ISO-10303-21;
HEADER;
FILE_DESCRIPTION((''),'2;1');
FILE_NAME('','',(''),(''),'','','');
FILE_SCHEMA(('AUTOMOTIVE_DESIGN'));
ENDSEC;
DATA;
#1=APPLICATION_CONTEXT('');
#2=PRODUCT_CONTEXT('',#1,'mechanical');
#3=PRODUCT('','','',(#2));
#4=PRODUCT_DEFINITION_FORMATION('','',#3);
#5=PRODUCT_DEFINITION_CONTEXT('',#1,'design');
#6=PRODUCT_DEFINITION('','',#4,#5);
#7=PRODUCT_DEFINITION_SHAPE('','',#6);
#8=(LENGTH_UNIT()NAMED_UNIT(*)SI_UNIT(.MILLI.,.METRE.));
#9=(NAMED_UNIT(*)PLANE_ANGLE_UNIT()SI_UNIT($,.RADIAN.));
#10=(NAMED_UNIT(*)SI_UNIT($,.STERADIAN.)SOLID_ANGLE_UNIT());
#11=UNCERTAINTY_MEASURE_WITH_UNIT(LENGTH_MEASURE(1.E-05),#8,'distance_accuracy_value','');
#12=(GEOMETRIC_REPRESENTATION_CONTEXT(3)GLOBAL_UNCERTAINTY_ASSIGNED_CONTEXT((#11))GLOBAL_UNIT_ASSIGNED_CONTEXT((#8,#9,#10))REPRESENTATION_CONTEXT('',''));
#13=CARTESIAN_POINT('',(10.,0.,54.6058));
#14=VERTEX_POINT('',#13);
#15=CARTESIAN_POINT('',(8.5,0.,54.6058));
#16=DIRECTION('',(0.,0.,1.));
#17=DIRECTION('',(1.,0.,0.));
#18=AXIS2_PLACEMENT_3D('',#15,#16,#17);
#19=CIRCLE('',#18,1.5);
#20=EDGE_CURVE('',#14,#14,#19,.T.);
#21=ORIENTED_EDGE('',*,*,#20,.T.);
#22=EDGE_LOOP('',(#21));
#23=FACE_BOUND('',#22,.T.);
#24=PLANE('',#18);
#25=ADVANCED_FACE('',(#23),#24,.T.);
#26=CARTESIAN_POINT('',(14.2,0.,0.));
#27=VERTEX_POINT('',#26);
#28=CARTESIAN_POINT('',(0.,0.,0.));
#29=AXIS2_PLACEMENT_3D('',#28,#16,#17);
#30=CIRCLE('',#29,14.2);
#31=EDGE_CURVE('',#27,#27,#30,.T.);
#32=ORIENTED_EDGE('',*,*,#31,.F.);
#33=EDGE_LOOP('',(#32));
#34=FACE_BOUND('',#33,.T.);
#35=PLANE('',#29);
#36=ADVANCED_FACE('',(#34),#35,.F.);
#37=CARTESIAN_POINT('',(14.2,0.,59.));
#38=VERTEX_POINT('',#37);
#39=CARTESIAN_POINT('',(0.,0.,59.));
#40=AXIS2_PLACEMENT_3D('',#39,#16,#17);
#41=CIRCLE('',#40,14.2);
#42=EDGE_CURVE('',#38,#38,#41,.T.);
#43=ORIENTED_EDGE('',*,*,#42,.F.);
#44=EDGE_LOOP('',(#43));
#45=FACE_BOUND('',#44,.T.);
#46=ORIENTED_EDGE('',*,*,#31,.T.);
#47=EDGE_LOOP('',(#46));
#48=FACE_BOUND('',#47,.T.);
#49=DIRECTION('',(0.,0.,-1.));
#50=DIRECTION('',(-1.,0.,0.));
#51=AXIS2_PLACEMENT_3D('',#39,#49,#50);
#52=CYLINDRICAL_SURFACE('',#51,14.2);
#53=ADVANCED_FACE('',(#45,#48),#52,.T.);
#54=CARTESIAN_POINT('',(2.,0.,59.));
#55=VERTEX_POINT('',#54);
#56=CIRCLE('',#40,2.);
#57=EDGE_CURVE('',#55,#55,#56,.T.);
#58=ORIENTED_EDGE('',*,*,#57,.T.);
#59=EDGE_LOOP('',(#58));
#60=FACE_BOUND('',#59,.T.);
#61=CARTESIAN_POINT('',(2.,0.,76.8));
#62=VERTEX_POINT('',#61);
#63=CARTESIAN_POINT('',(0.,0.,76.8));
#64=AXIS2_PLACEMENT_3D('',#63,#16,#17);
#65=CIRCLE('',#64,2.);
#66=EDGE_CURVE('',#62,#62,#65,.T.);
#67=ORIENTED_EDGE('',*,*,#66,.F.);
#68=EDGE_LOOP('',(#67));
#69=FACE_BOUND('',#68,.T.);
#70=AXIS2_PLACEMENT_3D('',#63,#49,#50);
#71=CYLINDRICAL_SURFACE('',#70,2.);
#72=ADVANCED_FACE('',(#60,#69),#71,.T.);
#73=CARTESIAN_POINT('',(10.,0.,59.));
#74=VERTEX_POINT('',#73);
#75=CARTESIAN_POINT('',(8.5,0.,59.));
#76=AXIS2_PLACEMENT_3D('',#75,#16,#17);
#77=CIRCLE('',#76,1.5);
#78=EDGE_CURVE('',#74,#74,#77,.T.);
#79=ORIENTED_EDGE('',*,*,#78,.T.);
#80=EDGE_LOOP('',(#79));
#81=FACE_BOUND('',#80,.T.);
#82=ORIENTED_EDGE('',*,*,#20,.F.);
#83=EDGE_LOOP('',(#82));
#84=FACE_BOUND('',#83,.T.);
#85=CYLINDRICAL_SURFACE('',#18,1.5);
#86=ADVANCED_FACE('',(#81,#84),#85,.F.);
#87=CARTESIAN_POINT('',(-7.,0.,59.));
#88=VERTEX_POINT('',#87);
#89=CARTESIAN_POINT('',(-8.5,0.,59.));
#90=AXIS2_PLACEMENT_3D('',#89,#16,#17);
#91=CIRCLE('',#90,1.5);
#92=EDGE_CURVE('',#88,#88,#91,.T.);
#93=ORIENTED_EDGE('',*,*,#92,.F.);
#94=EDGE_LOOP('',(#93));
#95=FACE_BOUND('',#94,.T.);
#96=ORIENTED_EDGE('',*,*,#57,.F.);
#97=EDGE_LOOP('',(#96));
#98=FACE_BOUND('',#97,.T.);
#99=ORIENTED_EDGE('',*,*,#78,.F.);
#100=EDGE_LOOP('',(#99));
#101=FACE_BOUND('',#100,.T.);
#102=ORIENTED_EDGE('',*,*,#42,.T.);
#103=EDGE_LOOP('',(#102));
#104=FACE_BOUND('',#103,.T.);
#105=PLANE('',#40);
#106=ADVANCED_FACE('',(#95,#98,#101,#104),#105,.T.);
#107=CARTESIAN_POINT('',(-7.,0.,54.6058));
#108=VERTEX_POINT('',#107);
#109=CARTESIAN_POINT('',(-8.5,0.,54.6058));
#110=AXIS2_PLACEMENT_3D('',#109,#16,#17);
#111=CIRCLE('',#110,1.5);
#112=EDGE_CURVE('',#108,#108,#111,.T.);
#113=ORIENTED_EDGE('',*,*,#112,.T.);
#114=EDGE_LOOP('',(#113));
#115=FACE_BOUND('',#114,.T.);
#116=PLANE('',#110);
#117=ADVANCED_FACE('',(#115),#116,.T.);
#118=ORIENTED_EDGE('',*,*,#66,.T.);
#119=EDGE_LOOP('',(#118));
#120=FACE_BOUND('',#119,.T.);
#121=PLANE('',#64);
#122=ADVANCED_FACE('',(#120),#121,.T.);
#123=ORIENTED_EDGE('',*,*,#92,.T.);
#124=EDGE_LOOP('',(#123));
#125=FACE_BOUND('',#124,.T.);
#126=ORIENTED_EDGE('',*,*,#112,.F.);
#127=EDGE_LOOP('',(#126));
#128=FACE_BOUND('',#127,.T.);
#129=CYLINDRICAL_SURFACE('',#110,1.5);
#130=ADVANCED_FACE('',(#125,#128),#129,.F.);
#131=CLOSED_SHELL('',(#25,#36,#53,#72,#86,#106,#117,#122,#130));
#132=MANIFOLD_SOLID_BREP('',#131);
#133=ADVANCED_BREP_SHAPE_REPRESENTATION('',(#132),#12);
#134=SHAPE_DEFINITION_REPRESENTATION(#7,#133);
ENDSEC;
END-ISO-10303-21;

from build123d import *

# Parameters (mm, degrees)
SKETCH1_R           = 14.2
BOSS_EXTRUDE1_DEPTH = 59
SKETCH2_R           = 2
BOSS_EXTRUDE2_DEPTH = 17.8
SKETCH3_R           = 1.5
CUT_EXTRUDE1_DEPTH  = 4.3942


with BuildPart() as part:
    # Sketch1 → Boss-Extrude1 (new body)
    with BuildSketch(Plane.XY):
        Circle(SKETCH1_R)
    extrude(amount=BOSS_EXTRUDE1_DEPTH)

    # Sketch2 → Boss-Extrude2 (add)
    with BuildSketch(Plane.XY.offset(59)):
        Circle(SKETCH2_R)
    extrude(amount=BOSS_EXTRUDE2_DEPTH)

    # Sketch3 → Cut-Extrude1 (cut)
    with BuildSketch(Plane.XY.offset(59)):
        with Locations((-8.5, 0)):
            Circle(SKETCH3_R)
        with Locations((8.5, 0)):
            Circle(SKETCH3_R)
    extrude(amount=-CUT_EXTRUDE1_DEPTH, mode=Mode.SUBTRACT)


solid = part.part
